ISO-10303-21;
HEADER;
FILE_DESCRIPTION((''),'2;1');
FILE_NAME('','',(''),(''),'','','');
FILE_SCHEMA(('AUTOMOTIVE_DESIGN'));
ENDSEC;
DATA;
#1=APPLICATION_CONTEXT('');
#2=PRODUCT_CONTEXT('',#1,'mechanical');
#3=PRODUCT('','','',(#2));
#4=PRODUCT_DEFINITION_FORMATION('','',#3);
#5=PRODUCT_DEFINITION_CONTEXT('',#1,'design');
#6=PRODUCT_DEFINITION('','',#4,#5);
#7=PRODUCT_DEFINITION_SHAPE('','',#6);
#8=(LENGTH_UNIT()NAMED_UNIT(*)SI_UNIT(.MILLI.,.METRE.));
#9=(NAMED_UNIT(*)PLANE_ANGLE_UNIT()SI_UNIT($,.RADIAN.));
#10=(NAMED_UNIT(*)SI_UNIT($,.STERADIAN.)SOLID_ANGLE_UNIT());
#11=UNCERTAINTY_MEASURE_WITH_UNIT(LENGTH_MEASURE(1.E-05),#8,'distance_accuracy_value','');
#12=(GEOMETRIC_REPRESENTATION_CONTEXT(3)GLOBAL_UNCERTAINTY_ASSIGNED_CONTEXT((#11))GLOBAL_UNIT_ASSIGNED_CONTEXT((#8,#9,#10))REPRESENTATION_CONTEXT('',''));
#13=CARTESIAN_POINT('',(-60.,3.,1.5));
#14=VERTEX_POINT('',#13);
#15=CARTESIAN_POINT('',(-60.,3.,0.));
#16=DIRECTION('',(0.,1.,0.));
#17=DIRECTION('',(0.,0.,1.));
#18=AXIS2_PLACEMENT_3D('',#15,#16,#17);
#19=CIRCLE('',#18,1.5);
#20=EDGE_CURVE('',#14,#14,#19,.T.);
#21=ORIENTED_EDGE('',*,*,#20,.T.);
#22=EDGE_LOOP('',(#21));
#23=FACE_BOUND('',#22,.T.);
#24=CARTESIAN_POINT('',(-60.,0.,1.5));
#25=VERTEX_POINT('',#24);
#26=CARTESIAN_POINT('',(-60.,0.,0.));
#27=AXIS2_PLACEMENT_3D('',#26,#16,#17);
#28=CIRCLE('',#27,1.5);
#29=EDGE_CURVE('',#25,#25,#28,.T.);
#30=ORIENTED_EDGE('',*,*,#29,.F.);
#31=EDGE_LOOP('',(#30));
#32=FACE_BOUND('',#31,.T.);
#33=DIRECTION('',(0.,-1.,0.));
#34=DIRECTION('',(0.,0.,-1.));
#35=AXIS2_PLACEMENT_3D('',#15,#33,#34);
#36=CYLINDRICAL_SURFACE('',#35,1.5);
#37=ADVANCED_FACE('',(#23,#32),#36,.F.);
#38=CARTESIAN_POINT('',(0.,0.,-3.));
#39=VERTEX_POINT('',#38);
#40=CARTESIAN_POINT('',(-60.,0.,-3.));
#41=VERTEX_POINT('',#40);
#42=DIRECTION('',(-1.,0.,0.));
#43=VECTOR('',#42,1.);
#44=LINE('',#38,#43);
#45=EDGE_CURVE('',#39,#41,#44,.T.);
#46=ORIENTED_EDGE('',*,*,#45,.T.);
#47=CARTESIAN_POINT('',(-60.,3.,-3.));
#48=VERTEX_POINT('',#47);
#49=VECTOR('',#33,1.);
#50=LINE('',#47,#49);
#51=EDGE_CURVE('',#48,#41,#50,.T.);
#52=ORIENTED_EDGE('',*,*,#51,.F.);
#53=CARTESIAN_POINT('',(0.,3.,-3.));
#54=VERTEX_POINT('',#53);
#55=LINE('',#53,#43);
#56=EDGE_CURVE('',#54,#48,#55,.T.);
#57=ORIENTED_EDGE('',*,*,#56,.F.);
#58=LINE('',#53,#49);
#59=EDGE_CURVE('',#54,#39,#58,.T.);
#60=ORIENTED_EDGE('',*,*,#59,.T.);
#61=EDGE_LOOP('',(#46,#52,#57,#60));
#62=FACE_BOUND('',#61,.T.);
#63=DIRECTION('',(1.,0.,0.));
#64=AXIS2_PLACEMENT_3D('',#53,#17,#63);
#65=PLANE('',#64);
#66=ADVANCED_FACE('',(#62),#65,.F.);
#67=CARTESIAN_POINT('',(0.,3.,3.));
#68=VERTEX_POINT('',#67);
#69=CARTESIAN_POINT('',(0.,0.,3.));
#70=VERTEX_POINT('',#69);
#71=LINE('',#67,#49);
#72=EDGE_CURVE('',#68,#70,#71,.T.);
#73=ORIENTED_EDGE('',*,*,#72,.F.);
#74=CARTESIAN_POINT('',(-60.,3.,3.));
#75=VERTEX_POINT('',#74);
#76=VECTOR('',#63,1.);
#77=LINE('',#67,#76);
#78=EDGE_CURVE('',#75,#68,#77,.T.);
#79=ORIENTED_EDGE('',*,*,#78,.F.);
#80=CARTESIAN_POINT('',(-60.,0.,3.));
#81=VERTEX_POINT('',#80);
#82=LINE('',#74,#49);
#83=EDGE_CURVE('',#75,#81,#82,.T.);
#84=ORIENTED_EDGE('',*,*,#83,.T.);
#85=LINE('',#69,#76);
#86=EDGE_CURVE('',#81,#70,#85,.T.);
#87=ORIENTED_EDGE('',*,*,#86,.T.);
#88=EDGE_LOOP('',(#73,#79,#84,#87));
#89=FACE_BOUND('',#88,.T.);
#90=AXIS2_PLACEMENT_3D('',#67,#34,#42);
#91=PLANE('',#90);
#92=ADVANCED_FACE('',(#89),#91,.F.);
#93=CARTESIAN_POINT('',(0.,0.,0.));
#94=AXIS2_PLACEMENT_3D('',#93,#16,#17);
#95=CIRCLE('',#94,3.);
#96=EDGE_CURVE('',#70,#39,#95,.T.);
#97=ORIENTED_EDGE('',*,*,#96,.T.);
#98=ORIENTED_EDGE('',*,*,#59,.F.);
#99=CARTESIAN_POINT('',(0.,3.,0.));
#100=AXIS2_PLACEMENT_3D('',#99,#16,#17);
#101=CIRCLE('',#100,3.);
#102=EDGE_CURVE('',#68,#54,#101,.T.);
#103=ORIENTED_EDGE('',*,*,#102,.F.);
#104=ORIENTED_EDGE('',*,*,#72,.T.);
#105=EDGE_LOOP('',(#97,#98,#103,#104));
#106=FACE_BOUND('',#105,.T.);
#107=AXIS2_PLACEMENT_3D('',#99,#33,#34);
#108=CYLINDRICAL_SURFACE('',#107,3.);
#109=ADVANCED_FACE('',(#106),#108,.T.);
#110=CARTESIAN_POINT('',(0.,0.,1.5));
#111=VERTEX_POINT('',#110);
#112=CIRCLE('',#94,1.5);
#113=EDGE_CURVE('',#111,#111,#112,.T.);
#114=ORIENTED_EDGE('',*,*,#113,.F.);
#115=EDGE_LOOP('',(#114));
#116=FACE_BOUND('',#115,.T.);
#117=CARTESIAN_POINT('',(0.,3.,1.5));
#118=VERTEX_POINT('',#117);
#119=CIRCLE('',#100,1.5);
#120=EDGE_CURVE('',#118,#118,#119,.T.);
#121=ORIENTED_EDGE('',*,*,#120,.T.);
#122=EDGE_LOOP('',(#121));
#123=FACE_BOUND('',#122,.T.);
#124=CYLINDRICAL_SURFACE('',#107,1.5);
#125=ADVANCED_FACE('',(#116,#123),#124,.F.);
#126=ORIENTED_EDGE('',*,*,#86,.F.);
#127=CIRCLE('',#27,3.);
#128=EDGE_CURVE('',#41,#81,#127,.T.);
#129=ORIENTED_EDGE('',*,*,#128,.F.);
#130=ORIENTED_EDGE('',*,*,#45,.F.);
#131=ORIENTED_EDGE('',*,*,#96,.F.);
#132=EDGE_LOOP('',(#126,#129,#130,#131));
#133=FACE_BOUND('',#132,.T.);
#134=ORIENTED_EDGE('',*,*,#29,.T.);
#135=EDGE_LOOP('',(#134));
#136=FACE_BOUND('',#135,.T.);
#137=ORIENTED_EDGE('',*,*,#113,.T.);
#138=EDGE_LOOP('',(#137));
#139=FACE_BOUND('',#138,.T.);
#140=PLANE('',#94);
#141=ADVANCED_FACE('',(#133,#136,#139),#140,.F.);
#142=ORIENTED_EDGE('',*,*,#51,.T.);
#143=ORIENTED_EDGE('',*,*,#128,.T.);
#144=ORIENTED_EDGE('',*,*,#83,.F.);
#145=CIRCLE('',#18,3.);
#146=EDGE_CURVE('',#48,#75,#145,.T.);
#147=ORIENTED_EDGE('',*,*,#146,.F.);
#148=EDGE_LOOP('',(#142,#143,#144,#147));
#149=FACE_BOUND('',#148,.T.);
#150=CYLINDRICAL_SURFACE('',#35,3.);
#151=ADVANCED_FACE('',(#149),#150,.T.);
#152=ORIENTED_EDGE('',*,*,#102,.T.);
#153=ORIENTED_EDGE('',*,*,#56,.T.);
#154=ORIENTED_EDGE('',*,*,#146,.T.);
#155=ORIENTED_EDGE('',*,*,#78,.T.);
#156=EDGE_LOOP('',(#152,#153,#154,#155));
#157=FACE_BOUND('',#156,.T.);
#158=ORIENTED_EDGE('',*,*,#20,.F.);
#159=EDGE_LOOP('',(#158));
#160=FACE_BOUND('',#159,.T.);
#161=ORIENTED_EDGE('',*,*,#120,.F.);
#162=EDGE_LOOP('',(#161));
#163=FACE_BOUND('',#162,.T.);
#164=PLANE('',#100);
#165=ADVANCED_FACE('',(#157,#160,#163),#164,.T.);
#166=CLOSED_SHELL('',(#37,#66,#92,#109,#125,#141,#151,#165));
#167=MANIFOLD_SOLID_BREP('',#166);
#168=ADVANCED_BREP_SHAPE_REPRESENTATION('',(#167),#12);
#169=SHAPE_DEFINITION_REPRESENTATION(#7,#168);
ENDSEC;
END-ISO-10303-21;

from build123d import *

# Parameters (mm, degrees)
SKETCH_1_R      = 1.5
EXTRUDE_1_DEPTH = 3


with BuildPart() as part:
    # 草图1 → 凸台-拉伸1 (new body)
    with BuildSketch(Plane(origin=(0, 0, 0), x_dir=(1, 0, 0), z_dir=(0, 1, 0))):
        with BuildLine():
            Line((0, 3), (-60, 3))
            ThreePointArc((-60, 3), (-63, 0), (-60, -3))
            Line((-60, -3), (0, -3))
            ThreePointArc((0, -3), (3, 0), (0, 3))
        make_face()
        with Locations(Location((0, 0, 0), (0, 0, 270))):
            Circle(SKETCH_1_R, mode=Mode.SUBTRACT)
        with Locations(Location((-60, 0, 0), (0, 0, 270))):
            Circle(SKETCH_1_R, mode=Mode.SUBTRACT)
    extrude(amount=EXTRUDE_1_DEPTH)


solid = part.part
